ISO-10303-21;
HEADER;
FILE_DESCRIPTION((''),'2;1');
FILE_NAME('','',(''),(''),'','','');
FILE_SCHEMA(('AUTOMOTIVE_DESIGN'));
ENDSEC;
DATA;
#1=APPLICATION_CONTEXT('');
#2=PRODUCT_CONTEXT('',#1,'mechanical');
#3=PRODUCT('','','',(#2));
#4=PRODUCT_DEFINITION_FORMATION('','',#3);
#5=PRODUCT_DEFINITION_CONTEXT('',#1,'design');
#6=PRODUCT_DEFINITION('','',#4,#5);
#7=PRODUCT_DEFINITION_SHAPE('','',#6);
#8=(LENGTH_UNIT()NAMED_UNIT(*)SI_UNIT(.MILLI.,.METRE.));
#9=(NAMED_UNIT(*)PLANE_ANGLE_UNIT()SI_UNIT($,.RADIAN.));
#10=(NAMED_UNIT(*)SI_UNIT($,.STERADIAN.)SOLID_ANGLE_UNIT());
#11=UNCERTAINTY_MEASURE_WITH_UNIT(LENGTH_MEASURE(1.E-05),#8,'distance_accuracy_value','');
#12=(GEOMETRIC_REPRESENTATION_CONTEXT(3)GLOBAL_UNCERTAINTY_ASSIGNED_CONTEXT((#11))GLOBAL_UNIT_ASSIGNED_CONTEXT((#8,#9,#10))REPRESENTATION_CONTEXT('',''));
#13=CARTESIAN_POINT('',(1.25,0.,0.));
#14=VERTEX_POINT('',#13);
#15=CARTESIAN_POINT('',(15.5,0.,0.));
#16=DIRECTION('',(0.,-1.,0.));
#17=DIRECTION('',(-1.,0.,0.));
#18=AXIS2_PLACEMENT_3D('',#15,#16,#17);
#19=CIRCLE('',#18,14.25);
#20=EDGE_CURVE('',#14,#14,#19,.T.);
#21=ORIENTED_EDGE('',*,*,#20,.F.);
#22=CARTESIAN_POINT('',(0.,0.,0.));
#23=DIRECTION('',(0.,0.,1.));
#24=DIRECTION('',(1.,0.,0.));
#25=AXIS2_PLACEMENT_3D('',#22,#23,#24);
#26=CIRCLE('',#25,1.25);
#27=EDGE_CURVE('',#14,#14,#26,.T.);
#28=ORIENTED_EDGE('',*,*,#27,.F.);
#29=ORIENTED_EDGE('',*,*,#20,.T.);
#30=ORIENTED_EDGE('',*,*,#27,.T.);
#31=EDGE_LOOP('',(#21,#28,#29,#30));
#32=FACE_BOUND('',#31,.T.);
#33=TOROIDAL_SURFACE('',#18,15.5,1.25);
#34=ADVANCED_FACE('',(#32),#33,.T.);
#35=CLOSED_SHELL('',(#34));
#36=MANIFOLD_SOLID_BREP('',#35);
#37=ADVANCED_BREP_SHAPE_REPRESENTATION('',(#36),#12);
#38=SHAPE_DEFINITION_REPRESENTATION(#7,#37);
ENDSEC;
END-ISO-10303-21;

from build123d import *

# Parameters (mm, degrees)
F0_R = 1.25


with BuildPart() as f1:
    # F0 (on Top) → F1 (revolve)
    with BuildSketch(Plane.XY):
        Circle(F0_R)
    revolve(axis=Axis((15.5, -2.613636, 0), (0, -1, 0)))


solid = f1.part
